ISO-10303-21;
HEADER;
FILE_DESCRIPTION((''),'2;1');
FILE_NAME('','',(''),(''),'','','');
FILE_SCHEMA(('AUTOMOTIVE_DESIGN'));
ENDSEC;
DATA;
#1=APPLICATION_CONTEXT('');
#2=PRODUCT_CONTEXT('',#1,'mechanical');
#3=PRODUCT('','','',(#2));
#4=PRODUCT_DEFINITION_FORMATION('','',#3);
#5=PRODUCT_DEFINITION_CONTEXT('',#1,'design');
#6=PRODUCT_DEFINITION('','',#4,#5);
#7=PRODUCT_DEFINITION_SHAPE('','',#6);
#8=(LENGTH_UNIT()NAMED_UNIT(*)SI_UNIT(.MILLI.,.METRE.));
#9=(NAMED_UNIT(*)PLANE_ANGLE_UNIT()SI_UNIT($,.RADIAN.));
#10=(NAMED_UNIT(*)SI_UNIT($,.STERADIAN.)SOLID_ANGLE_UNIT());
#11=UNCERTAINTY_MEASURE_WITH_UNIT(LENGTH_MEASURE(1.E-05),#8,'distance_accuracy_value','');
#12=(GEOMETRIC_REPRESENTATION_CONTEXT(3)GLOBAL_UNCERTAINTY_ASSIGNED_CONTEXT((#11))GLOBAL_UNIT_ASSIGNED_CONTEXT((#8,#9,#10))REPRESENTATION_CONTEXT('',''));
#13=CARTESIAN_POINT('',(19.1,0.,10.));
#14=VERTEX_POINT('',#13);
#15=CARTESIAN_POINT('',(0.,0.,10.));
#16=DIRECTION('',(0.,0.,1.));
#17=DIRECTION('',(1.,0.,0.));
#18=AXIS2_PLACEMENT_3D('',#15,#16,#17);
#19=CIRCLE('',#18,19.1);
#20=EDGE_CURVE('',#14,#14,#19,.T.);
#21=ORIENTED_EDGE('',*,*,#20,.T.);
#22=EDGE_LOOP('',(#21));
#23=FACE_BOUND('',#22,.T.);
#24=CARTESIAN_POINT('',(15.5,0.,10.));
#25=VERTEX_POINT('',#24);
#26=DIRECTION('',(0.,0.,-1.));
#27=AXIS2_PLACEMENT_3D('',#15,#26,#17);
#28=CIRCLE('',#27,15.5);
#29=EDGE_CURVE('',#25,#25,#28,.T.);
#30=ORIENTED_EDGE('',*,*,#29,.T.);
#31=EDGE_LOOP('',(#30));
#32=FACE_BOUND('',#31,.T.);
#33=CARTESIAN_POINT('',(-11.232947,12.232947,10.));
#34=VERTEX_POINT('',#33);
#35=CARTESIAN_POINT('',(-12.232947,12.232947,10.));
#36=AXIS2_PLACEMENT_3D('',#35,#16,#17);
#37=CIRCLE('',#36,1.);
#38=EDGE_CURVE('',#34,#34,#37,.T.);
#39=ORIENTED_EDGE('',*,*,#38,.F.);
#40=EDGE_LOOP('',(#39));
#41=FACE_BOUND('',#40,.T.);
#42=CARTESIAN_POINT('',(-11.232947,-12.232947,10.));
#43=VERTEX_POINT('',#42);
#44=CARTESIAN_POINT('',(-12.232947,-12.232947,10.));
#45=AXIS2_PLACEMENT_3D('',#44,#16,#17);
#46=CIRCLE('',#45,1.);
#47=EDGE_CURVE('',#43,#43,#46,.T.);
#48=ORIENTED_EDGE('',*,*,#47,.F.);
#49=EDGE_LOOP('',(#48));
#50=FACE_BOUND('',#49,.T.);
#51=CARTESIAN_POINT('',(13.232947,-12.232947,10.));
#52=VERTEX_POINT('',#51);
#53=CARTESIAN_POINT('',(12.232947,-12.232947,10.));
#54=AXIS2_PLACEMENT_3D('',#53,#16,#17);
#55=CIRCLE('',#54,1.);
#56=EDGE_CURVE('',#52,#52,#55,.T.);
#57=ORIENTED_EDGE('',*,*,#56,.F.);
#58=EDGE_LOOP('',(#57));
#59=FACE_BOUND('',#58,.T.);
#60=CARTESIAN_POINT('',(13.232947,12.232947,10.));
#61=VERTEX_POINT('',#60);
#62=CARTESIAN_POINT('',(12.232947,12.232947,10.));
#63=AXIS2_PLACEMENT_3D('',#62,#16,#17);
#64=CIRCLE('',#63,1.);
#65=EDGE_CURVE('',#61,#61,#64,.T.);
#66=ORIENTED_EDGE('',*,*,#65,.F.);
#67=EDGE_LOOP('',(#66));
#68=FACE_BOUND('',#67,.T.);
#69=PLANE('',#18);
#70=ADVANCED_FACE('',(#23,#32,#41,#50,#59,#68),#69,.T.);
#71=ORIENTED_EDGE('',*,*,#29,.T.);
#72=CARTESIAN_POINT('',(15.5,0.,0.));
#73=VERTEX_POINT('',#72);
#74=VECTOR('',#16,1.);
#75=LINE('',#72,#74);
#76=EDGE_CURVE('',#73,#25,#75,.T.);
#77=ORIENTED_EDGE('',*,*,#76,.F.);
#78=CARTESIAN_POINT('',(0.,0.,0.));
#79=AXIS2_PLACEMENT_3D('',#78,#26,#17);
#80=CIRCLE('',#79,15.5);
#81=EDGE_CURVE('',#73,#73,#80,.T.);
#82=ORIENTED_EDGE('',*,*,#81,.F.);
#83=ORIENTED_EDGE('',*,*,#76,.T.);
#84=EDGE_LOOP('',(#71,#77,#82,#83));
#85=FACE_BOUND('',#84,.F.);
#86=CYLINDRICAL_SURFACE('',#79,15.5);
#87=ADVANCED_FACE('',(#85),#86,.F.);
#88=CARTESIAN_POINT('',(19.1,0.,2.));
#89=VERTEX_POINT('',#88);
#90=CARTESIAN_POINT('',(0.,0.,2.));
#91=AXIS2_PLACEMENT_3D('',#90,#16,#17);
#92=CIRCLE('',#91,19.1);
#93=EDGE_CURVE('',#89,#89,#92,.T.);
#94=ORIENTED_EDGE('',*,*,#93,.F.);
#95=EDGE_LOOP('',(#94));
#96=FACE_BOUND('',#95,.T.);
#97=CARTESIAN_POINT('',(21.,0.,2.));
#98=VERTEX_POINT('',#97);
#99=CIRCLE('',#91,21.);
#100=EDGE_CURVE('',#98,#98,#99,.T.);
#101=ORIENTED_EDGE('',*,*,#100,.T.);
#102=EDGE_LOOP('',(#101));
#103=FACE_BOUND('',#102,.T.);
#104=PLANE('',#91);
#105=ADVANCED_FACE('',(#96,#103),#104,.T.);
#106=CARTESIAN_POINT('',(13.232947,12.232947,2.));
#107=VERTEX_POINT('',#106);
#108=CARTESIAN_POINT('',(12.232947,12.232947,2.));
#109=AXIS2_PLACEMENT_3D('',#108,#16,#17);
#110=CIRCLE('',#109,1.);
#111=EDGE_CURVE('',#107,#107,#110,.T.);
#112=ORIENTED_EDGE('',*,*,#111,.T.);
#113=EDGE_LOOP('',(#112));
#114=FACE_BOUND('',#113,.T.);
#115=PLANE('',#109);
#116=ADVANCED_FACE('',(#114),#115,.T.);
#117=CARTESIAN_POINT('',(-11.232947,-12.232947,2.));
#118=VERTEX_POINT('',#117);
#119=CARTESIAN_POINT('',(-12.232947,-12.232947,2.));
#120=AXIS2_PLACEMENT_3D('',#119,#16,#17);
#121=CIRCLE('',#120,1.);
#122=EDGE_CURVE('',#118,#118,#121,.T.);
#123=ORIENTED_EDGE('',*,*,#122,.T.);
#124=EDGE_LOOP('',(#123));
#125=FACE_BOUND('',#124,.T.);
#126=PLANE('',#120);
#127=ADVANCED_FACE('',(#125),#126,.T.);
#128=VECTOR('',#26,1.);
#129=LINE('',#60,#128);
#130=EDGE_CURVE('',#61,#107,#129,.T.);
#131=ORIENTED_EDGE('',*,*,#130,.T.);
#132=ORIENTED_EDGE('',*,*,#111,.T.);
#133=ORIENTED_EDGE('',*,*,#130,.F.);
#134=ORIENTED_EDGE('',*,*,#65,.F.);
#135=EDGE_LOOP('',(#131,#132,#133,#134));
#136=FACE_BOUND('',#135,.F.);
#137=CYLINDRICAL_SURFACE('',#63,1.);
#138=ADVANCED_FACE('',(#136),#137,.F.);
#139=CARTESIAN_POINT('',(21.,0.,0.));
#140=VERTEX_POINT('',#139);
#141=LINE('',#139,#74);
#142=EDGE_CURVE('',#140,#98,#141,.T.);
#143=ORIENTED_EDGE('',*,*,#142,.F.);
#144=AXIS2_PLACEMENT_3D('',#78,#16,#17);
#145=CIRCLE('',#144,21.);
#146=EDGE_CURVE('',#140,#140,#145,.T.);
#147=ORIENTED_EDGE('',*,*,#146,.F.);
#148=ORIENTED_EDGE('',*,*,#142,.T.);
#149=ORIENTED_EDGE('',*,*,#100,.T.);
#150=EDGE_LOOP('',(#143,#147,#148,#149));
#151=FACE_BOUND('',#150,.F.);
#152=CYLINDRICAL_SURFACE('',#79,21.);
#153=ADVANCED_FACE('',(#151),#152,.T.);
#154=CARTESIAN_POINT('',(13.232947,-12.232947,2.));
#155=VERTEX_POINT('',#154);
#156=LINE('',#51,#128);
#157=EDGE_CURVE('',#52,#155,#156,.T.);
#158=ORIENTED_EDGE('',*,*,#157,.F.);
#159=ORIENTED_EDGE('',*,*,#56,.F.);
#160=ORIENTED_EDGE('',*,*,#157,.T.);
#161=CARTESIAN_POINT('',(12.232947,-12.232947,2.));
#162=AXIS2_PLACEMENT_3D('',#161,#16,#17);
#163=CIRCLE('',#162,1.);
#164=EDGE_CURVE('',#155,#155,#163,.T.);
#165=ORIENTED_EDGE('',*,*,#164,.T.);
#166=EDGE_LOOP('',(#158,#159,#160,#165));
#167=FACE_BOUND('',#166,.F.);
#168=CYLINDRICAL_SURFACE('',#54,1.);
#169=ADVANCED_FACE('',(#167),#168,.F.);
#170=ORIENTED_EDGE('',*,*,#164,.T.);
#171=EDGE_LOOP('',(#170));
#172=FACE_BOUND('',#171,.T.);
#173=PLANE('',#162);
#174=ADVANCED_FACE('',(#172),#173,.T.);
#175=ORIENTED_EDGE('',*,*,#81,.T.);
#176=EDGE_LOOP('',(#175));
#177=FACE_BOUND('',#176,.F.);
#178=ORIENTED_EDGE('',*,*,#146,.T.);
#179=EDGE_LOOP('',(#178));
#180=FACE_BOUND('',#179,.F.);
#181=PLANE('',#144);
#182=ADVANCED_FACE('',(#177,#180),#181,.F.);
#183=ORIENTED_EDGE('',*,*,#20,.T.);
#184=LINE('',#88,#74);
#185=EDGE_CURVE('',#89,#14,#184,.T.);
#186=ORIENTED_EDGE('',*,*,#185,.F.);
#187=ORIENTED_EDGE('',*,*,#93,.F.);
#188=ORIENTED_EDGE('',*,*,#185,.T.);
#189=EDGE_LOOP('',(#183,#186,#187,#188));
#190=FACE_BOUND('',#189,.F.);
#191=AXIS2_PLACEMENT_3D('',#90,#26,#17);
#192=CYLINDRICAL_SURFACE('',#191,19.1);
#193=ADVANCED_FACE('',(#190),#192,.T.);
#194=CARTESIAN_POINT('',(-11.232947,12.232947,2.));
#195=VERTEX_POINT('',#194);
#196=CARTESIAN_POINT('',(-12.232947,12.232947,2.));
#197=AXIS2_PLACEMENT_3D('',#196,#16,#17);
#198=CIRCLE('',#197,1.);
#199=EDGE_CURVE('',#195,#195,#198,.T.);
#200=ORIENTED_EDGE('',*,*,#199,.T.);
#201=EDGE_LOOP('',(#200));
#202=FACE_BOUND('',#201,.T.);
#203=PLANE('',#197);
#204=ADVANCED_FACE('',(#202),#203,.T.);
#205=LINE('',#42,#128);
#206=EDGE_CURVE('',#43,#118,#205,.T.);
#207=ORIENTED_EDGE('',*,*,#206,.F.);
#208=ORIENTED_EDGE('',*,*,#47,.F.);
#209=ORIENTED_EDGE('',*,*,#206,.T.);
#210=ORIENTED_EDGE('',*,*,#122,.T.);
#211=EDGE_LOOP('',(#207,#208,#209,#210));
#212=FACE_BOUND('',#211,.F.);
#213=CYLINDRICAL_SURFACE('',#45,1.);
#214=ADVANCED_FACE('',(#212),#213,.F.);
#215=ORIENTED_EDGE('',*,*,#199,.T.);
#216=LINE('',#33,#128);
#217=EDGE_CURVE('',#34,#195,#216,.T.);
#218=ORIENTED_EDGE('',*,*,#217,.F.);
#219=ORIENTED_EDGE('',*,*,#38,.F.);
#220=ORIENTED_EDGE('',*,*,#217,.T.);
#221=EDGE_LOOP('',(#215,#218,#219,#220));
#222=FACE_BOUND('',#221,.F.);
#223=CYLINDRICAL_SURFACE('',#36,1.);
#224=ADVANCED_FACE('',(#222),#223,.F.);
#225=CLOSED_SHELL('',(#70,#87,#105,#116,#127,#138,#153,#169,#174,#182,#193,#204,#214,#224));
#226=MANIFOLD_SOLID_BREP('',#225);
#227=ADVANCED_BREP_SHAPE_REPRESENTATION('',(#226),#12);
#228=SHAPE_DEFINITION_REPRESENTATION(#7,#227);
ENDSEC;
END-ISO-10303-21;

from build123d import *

# Parameters (mm, degrees)
F0_R     = 21
F1_DEPTH = 2
F2_R     = 19.1
F3_DEPTH = 8
F4_R     = 15.5
F5_DEPTH = 10
F6_R     = 1
F7_DEPTH = 8


with BuildPart() as f1:
    # F0 (on Top) → F1 (new body)
    with BuildSketch(Plane.XY):
        Circle(F0_R)
    extrude(amount=F1_DEPTH)

    # F2 (on face) → F3 (join)
    with BuildSketch(Plane.XY.offset(2)):
        Circle(F2_R)
    extrude(amount=F3_DEPTH)

    # F4 (on face) → F5 (cut, through all)
    with BuildSketch(Plane(origin=(0, 0, 0), x_dir=(1, 0, 0), z_dir=(0, 0, -1))):
        Circle(F4_R)
    extrude(amount=-F5_DEPTH, mode=Mode.SUBTRACT)

    # F6 (on face) → F7 (cut)
    with BuildSketch(Plane.XY.offset(10)):
        with Locations((-12.232947, 12.232947)):
            Circle(F6_R)
        with Locations((12.232947, 12.232947)):
            Circle(F6_R)
        with Locations((-12.232947, -12.232947)):
            Circle(F6_R)
        with Locations((12.232947, -12.232947)):
            Circle(F6_R)
    extrude(amount=-F7_DEPTH, mode=Mode.SUBTRACT)


solid = f1.part
